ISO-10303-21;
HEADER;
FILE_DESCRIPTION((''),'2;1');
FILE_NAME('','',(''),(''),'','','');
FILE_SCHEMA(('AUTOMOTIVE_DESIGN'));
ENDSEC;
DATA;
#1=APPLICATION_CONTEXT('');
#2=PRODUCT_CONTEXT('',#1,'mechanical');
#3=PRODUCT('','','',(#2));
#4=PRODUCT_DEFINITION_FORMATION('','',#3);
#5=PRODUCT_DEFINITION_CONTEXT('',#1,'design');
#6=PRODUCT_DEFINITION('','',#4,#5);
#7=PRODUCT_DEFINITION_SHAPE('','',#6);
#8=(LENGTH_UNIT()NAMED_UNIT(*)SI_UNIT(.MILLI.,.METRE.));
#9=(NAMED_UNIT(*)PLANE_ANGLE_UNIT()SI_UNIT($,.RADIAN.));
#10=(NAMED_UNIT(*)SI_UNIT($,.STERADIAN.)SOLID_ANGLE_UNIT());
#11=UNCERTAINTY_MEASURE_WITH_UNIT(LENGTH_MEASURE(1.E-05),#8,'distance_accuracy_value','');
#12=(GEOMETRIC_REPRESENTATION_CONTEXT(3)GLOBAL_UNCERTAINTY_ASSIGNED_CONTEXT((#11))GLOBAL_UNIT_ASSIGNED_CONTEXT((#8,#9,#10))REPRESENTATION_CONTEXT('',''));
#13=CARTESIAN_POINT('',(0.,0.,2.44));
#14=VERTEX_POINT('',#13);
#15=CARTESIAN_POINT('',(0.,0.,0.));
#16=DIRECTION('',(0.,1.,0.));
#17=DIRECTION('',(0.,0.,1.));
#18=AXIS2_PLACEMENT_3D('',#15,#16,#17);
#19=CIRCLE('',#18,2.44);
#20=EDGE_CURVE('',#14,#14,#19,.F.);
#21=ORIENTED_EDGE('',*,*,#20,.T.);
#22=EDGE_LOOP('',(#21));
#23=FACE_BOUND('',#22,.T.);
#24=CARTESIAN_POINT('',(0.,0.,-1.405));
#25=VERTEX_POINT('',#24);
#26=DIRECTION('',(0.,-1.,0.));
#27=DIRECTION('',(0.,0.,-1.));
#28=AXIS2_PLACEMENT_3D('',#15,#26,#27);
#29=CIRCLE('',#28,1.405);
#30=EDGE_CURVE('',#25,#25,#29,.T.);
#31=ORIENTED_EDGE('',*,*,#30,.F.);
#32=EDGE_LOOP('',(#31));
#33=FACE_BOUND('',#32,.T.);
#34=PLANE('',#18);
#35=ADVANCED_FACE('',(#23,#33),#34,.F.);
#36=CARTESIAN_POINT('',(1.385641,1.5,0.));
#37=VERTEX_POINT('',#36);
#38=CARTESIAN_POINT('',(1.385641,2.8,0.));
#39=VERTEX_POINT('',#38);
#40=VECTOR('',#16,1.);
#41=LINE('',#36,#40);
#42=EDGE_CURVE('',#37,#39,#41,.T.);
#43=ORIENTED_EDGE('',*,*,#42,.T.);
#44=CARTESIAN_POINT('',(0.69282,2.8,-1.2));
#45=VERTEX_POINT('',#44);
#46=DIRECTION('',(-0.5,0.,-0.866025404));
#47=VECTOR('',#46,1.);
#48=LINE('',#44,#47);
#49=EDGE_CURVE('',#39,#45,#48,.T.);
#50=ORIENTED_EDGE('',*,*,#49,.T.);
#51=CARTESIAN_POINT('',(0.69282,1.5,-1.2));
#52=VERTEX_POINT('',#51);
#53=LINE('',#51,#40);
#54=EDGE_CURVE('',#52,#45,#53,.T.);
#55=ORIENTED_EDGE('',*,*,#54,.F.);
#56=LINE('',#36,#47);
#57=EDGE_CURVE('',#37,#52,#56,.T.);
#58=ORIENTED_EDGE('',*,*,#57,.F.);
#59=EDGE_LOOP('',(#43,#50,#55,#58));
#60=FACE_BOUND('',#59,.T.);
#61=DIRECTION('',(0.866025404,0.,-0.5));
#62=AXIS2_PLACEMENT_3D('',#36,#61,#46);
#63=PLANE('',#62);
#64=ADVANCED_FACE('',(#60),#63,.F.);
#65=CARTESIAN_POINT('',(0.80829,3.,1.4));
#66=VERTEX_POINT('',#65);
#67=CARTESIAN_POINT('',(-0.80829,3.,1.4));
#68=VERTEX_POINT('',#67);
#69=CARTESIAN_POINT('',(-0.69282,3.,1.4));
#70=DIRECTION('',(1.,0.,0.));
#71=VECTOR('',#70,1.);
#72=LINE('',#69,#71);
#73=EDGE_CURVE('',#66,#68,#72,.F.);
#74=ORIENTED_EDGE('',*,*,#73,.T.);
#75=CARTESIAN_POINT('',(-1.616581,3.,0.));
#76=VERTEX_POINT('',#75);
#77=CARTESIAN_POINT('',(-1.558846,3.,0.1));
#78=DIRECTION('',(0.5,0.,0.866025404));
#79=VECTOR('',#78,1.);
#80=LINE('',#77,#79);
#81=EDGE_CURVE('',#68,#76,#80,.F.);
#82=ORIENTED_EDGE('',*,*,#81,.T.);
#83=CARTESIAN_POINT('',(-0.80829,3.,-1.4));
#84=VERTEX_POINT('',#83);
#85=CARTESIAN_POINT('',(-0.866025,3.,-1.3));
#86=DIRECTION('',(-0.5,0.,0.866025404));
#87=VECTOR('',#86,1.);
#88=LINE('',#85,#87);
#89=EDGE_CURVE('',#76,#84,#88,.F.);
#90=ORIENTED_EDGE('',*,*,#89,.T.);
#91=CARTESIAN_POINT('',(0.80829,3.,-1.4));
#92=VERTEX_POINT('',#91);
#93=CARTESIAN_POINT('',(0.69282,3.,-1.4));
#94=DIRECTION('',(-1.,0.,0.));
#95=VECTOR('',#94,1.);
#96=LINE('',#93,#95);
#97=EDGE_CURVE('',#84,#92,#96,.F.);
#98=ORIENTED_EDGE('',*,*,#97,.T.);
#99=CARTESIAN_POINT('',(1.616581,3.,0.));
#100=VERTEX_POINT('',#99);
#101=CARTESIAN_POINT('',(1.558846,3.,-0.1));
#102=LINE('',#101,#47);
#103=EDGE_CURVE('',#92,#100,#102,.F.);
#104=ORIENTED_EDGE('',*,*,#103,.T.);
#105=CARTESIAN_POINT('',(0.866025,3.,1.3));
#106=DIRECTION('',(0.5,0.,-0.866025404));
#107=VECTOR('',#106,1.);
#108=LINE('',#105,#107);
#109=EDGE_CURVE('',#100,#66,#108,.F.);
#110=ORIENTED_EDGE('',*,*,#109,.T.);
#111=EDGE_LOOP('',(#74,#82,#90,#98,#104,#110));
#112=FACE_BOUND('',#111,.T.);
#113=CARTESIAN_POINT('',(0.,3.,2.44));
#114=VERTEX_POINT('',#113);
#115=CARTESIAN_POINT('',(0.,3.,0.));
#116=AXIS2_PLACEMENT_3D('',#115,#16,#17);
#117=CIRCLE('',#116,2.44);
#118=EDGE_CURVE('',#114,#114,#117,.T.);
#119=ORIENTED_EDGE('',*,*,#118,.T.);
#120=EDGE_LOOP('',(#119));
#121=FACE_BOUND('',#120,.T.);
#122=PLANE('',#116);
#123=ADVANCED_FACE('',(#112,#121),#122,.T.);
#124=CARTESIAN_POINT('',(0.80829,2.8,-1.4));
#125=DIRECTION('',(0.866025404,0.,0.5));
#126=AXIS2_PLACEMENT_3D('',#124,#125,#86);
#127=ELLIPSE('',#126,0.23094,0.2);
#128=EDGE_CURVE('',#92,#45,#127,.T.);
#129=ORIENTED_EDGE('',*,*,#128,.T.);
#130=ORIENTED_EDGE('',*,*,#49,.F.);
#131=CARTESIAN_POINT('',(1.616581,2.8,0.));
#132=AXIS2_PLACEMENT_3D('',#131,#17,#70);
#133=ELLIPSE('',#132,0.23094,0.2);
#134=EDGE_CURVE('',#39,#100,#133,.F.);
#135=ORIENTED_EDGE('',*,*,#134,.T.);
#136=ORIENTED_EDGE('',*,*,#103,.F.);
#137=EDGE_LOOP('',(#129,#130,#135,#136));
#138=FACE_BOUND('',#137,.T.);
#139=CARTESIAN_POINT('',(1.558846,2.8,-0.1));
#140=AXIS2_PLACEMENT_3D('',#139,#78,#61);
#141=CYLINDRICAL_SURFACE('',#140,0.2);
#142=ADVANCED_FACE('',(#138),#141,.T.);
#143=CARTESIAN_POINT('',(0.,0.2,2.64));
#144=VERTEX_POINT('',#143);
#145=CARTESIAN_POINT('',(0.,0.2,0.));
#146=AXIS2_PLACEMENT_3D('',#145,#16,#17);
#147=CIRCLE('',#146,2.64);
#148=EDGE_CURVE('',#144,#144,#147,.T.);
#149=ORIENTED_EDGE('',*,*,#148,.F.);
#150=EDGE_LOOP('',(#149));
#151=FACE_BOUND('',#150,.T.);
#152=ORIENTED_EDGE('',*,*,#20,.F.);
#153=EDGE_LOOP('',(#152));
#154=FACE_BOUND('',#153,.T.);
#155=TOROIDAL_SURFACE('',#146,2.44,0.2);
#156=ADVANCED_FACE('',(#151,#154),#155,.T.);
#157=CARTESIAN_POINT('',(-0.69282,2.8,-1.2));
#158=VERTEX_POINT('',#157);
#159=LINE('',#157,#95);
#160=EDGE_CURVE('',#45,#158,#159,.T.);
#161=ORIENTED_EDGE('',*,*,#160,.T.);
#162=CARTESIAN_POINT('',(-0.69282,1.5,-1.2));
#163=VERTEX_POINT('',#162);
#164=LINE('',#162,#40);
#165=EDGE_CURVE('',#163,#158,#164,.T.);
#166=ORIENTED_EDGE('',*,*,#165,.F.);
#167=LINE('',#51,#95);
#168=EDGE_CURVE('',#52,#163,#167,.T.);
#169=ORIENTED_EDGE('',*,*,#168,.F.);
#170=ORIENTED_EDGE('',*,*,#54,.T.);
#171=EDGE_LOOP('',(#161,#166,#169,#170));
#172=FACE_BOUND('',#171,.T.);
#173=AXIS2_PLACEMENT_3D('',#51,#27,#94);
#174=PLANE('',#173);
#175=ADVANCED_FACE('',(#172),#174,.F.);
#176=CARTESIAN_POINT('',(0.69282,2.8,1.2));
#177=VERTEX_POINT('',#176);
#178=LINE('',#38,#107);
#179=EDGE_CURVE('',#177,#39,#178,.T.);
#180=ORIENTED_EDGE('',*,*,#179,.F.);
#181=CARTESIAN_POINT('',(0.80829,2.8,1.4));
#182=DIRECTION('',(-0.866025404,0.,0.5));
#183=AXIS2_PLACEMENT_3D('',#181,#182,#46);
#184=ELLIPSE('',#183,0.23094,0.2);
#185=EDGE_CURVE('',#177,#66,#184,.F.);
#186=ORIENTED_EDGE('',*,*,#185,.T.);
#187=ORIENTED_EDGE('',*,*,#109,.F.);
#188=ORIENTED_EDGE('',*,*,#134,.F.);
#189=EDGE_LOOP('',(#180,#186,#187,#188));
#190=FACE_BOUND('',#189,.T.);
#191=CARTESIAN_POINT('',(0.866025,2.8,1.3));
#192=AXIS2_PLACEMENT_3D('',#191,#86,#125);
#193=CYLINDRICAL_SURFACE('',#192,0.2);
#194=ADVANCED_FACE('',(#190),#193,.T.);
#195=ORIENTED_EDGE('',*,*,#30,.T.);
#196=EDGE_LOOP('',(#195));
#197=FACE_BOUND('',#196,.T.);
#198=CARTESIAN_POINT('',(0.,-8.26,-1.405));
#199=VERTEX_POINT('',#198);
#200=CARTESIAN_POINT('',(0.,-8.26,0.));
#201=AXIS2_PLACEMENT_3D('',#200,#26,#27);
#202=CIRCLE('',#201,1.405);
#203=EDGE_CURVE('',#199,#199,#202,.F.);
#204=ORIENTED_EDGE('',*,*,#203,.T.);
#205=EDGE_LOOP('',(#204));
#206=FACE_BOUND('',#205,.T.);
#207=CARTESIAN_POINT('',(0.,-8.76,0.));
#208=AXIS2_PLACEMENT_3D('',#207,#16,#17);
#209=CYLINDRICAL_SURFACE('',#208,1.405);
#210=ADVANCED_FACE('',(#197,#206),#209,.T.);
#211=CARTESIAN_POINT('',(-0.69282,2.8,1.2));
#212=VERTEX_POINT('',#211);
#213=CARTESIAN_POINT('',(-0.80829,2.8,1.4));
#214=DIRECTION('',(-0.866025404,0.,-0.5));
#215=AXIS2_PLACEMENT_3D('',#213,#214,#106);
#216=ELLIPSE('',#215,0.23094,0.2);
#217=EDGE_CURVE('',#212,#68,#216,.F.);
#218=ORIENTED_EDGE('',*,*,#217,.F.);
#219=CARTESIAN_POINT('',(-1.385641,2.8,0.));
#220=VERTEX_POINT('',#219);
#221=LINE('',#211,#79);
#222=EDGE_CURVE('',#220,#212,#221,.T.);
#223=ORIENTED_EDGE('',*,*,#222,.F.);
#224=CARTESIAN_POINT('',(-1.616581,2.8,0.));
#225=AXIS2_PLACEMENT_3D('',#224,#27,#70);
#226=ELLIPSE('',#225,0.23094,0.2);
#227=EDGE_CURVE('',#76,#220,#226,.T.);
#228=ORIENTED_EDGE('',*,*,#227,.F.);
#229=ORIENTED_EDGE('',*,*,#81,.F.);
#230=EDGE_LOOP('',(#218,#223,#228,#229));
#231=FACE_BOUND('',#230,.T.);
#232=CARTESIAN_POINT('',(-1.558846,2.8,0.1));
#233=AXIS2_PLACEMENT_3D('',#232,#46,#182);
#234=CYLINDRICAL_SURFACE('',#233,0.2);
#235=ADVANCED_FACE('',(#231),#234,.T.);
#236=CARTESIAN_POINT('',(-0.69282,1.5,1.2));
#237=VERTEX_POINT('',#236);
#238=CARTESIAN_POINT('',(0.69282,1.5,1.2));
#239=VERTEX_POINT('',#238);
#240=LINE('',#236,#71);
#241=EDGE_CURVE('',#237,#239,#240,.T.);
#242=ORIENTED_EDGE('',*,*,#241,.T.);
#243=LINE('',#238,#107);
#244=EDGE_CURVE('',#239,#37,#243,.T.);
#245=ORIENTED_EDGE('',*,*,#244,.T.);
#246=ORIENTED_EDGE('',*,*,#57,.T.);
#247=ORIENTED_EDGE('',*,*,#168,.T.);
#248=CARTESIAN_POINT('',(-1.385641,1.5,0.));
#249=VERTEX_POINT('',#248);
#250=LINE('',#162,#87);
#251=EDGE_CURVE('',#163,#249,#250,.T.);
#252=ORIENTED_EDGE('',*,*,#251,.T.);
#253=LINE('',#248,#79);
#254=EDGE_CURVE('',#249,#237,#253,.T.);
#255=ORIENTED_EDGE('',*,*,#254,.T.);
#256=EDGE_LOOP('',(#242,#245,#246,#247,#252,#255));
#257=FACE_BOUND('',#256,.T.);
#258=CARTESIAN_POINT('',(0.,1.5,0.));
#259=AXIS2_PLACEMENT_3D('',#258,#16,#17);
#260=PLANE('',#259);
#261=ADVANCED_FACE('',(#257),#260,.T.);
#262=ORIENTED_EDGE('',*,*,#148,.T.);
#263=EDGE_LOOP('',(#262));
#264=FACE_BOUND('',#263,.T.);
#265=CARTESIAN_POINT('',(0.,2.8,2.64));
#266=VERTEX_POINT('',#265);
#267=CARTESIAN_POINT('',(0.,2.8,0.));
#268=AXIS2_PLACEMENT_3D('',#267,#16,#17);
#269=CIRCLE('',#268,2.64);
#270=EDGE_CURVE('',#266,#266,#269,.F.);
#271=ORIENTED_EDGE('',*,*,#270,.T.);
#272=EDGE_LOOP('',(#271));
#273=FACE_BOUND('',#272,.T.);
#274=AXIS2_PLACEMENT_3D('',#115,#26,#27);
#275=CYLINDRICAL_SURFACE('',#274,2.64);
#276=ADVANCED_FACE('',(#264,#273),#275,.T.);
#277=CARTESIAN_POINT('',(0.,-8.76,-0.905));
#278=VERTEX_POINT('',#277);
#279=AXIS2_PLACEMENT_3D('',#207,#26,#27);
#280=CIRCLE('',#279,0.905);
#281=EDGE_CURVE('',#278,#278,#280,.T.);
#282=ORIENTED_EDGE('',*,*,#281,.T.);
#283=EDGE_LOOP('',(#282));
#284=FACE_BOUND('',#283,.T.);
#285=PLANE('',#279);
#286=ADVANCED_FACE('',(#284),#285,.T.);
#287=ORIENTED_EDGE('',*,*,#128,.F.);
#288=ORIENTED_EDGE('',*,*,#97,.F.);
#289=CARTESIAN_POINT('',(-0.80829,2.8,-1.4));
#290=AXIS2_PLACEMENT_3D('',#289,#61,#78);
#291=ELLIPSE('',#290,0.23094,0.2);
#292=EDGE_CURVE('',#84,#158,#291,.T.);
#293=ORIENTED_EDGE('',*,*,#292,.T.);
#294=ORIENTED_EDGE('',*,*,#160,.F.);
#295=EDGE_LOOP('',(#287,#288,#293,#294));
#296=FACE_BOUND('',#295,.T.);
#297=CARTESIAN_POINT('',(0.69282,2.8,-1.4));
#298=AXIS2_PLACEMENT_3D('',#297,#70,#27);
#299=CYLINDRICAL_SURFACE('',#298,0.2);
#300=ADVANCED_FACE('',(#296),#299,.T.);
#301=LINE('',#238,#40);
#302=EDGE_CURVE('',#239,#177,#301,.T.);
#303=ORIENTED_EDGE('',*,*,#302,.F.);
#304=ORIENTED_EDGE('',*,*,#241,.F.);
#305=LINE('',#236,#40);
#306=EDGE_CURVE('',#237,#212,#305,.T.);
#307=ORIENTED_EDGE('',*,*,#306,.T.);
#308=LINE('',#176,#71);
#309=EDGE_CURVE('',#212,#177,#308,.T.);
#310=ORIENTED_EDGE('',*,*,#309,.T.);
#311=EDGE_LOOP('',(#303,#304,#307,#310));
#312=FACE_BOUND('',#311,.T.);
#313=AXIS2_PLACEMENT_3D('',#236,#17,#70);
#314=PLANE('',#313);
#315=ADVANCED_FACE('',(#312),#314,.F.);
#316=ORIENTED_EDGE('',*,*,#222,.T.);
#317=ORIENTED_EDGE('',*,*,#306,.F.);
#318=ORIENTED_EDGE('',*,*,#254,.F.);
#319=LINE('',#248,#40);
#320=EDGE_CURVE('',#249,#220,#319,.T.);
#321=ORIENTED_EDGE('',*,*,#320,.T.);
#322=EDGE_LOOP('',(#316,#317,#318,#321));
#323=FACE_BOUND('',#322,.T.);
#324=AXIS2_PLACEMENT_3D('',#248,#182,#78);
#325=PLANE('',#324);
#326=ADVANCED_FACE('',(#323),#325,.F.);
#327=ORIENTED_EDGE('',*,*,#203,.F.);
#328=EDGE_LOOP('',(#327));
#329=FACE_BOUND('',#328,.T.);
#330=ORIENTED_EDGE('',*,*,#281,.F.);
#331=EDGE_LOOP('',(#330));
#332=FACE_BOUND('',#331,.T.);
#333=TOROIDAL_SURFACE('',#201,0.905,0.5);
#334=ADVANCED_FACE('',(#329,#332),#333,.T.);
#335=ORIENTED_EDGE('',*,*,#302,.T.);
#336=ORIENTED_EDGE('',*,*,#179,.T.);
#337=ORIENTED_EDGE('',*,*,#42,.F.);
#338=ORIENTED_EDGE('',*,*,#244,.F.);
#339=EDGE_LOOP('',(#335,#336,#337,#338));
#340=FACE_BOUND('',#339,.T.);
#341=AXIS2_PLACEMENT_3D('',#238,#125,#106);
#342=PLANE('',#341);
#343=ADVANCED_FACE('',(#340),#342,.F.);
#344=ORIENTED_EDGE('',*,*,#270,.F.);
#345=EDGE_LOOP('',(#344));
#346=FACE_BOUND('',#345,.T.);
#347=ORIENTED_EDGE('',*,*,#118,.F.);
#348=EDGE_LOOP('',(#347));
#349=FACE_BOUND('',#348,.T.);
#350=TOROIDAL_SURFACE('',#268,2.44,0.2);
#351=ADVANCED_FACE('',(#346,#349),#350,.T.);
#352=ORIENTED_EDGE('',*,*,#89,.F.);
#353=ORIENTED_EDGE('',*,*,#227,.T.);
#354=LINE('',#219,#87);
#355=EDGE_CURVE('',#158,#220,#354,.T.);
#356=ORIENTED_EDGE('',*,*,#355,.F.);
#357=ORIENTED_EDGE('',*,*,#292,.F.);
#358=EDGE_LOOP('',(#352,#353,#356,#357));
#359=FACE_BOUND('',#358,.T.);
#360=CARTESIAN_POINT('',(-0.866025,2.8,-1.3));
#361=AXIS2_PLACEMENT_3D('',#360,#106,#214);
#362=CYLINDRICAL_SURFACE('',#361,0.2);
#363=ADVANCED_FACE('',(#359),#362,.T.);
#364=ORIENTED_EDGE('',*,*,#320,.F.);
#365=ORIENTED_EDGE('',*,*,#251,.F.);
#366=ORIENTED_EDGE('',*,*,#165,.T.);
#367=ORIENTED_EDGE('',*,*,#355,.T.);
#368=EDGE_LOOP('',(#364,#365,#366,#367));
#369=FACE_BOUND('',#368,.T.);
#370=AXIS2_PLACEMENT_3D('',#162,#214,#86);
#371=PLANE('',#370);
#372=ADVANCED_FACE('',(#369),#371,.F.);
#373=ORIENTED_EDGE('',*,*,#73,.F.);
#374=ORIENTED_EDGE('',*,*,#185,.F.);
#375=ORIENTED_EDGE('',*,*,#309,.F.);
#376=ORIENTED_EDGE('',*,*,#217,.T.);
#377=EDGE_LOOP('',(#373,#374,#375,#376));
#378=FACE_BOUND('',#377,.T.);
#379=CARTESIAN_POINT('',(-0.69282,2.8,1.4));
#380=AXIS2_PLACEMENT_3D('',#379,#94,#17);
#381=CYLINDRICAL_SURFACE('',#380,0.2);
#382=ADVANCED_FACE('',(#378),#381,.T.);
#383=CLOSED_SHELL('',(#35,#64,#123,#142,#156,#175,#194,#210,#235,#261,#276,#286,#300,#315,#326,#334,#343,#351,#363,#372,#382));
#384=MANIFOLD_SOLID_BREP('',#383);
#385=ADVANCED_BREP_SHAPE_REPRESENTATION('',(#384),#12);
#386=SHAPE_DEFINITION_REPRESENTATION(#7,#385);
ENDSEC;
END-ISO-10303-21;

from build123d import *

# Parameters (mm, degrees)
SKETCH1_R           = 2.64
BOSS_EXTRUDE1_DEPTH = 3
SKETCH2_R           = 1.405
BOSS_EXTRUDE2_DEPTH = 8.76
FILLET1_R           = 0.2
CUT_EXTRUDE1_DEPTH  = 1.5
FILLET2_R           = 0.2
FILLET3_R           = 0.5


with BuildPart() as part:
    # Sketch1 → Boss-Extrude1 (new body)
    with BuildSketch(Plane(origin=(0, 0, 0), x_dir=(1, 0, 0), z_dir=(0, 1, 0))):
        with Locations(Location((0, 0, 0), (0, 0, 270))):
            Circle(SKETCH1_R)
    extrude(amount=BOSS_EXTRUDE1_DEPTH)

    # Sketch2 → Boss-Extrude2 (add)
    with BuildSketch(Plane.XZ):
        with Locations(Location((0, 0, 0), (0, 0, 270))):
            Circle(SKETCH2_R)
    extrude(amount=BOSS_EXTRUDE2_DEPTH)

    # Fillet1
    fillet1_edges = [part.edges().sort_by_distance(p)[0] for p in [
        (0, 0, -2.64),
        (0, 3, -2.64),
    ]]
    fillet(fillet1_edges, radius=FILLET1_R)

    # Sketch3 → Cut-Extrude1 (cut)
    with BuildSketch(Plane(origin=(0, 3, 0), x_dir=(1, 0, 0), z_dir=(0, 1, 0))):
        Polygon((1.385640646, 0), (0.692820323, 1.2), (-0.692820323, 1.2), (-1.385640646, 0), (-0.692820323, -1.2), (0.692820323, -1.2), align=None)
    extrude(amount=-CUT_EXTRUDE1_DEPTH, mode=Mode.SUBTRACT)

    # Fillet2
    fillet2_edges = [part.edges().sort_by_distance(p)[0] for p in [
        (1.039230485, 3, 0.6),
        (1.039230485, 3, -0.6),
        (0, 3, -1.2),
        (-1.039230485, 3, -0.6),
        (-1.039230485, 3, 0.6),
        (0, 3, 1.2),
    ]]
    fillet(fillet2_edges, radius=FILLET2_R)

    # Fillet3
    fillet3_edges = [part.edges().sort_by_distance(p)[0] for p in [
        (0, -8.76, 1.405),
    ]]
    fillet(fillet3_edges, radius=FILLET3_R)


solid = part.part
